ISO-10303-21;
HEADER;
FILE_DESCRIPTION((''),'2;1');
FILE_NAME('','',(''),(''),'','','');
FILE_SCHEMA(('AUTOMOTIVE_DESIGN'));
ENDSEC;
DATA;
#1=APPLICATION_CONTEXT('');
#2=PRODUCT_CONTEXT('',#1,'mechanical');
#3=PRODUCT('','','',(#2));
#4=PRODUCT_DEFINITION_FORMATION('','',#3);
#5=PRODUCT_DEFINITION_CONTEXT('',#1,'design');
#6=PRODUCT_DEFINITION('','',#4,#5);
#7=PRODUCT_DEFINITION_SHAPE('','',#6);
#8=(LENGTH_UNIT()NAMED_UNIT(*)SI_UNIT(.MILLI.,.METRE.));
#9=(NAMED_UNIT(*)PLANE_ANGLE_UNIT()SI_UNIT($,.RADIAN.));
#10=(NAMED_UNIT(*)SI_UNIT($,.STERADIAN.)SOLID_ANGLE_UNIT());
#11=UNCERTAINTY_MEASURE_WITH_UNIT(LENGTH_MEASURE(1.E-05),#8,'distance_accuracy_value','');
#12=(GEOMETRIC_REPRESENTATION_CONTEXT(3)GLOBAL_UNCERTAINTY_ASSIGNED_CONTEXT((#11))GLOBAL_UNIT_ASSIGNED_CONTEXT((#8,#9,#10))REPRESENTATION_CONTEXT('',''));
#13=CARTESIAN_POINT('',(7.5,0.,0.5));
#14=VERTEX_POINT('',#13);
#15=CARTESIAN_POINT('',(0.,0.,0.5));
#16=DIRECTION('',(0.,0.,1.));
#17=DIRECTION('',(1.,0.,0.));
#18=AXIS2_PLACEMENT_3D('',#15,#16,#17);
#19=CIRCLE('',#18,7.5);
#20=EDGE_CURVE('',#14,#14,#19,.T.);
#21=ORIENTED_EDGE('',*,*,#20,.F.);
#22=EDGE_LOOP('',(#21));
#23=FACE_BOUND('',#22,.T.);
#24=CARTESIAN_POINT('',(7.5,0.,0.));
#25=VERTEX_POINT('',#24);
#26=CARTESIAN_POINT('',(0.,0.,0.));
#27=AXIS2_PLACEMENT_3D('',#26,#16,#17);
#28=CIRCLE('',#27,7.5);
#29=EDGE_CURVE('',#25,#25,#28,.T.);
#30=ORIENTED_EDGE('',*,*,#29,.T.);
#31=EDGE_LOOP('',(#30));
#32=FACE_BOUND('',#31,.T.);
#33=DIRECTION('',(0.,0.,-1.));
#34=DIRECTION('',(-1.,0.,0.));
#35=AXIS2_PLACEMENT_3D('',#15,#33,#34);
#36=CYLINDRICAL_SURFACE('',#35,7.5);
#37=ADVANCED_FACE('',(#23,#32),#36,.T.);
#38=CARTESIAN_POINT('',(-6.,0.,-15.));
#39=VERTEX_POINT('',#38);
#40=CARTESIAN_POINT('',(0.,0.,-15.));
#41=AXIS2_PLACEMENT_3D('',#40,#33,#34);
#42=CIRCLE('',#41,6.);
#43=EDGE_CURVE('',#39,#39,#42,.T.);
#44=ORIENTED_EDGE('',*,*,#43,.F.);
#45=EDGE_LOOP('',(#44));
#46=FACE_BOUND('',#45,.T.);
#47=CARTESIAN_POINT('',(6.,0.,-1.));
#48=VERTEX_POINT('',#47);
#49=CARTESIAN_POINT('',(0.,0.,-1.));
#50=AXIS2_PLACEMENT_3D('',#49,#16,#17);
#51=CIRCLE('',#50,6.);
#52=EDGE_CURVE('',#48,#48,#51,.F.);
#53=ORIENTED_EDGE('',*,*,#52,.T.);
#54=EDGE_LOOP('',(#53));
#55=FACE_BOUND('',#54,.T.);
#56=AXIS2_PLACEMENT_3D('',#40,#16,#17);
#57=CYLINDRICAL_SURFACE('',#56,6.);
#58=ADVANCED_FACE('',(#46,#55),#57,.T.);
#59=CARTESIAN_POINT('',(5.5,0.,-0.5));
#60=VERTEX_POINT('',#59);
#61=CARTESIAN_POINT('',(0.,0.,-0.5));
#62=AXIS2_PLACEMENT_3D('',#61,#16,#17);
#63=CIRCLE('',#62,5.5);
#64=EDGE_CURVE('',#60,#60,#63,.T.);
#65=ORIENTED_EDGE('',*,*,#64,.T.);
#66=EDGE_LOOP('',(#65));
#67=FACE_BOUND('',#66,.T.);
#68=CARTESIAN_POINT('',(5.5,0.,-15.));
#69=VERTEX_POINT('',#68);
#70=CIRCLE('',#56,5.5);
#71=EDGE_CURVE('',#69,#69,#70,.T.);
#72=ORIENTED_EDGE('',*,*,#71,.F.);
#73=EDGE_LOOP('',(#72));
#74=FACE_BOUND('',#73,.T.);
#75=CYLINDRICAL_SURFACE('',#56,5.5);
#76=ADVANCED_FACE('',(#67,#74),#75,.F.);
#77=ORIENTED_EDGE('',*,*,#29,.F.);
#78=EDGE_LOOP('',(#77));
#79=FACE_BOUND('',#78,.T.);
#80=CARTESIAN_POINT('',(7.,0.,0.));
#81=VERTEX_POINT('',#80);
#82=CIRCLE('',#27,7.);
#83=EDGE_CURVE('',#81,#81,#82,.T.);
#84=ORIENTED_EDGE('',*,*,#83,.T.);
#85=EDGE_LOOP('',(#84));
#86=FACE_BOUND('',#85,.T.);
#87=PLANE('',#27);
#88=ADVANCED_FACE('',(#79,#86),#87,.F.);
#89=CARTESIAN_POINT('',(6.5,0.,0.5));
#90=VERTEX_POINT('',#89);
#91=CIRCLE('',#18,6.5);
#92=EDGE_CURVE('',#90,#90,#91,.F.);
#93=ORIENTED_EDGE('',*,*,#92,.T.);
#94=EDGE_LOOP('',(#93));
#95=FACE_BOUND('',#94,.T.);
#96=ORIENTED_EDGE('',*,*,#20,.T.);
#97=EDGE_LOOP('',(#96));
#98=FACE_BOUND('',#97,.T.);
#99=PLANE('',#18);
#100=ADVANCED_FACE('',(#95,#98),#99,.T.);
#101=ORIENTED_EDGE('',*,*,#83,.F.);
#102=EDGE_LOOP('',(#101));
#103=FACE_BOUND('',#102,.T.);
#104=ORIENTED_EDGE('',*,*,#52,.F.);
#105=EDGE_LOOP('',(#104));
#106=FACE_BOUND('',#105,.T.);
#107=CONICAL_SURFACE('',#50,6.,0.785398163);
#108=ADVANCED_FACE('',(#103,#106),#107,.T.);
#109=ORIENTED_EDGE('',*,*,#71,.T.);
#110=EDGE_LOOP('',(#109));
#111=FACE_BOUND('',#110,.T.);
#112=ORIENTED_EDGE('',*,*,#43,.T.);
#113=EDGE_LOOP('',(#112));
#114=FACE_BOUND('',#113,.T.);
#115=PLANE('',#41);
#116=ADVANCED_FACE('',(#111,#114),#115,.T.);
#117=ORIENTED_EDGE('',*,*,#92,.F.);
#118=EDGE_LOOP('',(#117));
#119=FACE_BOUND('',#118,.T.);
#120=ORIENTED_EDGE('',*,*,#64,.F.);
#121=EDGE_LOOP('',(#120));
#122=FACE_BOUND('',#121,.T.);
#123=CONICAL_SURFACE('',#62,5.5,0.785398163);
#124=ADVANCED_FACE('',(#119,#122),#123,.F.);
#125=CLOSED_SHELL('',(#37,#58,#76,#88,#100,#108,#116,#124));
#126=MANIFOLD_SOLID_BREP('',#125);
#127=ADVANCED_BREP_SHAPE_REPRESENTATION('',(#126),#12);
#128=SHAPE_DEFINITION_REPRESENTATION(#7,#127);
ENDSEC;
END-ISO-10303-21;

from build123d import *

# Parameters (mm, degrees)
SKETCH1_R           = 7.5
BOSS_EXTRUDE1_DEPTH = 0.5
SKETCH2_R           = 6
BOSS_EXTRUDE2_DEPTH = 15
SKETCH3_R           = 5.5
CUT_EXTRUDE1_DEPTH  = 19.781639971
CHAMFER1_SIZE       = 1


with BuildPart() as part:
    # Sketch1 → Boss-Extrude1 (new body)
    with BuildSketch(Plane.XY):
        Circle(SKETCH1_R)
    extrude(amount=BOSS_EXTRUDE1_DEPTH)

    # Sketch2 → Boss-Extrude2 (add)
    with BuildSketch(Plane(origin=(0, 0, 0), x_dir=(-1, 0, 0), z_dir=(0, 0, -1))):
        Circle(SKETCH2_R)
    extrude(amount=BOSS_EXTRUDE2_DEPTH)

    # Sketch3 → Cut-Extrude1 (cut, through all)
    with BuildSketch(Plane.XY.offset(0.5)):
        Circle(SKETCH3_R)
    extrude(amount=-CUT_EXTRUDE1_DEPTH, mode=Mode.SUBTRACT)

    # Chamfer1
    chamfer1_edges = [part.edges().sort_by_distance(p)[0] for p in [
        (-5.5, 0, 0.5),
        (6, 0, 0),
    ]]
    chamfer(chamfer1_edges, length=CHAMFER1_SIZE)


solid = part.part
